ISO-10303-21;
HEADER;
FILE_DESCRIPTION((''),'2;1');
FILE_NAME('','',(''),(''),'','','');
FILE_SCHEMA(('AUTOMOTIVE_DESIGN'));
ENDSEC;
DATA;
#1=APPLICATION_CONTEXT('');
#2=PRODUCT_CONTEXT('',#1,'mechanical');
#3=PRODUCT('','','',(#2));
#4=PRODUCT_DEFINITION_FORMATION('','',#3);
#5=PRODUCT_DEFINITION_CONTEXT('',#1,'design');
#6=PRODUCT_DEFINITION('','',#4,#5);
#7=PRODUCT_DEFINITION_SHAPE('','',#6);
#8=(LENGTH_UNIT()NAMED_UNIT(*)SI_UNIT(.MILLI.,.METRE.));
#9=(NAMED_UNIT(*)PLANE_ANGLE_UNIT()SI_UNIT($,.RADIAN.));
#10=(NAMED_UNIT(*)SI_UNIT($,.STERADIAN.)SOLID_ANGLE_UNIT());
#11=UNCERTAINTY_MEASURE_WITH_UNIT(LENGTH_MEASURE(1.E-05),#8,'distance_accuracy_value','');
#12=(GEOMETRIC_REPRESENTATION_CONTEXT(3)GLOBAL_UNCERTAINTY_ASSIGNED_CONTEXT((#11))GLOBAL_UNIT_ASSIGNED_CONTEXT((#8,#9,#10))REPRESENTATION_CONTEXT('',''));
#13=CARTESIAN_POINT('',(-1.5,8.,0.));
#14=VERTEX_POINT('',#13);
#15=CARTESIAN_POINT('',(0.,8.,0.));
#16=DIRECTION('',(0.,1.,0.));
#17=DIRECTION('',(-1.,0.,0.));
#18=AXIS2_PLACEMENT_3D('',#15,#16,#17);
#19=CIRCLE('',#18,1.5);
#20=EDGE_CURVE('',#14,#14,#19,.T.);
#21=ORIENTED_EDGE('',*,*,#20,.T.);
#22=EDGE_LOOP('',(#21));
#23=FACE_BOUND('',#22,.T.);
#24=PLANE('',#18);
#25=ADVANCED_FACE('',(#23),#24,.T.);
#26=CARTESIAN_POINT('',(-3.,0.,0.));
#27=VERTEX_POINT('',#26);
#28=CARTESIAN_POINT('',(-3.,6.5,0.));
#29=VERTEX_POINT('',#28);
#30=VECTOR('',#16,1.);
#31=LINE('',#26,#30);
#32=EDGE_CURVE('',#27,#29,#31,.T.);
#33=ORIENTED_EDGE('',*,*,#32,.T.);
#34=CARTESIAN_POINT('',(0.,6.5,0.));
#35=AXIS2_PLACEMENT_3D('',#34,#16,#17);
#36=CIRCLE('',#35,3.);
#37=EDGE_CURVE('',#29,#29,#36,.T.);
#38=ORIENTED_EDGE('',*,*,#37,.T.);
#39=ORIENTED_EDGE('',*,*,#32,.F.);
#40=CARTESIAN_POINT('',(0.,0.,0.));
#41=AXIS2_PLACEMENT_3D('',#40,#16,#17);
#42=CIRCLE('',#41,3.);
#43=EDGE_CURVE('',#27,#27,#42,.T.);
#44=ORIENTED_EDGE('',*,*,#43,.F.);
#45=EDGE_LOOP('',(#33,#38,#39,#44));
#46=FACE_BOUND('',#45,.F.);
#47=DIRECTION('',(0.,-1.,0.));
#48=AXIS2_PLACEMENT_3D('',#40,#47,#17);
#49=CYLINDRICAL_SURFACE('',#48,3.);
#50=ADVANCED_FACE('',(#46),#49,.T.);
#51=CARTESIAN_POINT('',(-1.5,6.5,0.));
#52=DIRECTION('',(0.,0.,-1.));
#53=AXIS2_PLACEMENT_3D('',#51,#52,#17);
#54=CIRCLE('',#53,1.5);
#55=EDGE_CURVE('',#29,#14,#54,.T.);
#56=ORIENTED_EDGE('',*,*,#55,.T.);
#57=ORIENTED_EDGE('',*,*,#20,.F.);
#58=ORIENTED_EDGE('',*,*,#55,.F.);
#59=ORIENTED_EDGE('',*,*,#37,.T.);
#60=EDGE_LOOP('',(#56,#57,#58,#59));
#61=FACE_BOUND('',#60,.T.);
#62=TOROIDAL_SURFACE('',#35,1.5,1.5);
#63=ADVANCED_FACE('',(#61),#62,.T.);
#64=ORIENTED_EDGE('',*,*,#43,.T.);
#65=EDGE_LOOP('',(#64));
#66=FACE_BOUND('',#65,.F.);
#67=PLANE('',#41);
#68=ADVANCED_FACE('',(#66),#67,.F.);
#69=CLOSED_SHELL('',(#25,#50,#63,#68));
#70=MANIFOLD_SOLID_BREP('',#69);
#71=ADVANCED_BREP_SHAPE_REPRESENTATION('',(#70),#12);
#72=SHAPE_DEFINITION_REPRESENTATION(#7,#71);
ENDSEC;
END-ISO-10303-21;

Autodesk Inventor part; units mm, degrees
ref_plane "YZ Plane" through (0, 0, 0) normal (1, 0, 0) x (0, 1, 0)
ref_plane "XZ Plane" through (0, 0, 0) normal (0, 1, 0) x (-1, 0, 0)
ref_plane "XY Plane" through (0, 0, 0) normal (0, 0, 1) x (1, 0, 0)
sketch "Sketch1" plane through (0, 0, 0) normal (0, 1, 0) x (-1, 0, 0)
  circle A0 centre (0, 0) radius 3
  dimension "d0" = 6
extrude "Extrusion1" add sketch "Sketch1" along normal blind 8
fillet "Fillet1" radius 1.5 1 edges at (3, 8, 0)
properties part number "Spinner_Peg"
